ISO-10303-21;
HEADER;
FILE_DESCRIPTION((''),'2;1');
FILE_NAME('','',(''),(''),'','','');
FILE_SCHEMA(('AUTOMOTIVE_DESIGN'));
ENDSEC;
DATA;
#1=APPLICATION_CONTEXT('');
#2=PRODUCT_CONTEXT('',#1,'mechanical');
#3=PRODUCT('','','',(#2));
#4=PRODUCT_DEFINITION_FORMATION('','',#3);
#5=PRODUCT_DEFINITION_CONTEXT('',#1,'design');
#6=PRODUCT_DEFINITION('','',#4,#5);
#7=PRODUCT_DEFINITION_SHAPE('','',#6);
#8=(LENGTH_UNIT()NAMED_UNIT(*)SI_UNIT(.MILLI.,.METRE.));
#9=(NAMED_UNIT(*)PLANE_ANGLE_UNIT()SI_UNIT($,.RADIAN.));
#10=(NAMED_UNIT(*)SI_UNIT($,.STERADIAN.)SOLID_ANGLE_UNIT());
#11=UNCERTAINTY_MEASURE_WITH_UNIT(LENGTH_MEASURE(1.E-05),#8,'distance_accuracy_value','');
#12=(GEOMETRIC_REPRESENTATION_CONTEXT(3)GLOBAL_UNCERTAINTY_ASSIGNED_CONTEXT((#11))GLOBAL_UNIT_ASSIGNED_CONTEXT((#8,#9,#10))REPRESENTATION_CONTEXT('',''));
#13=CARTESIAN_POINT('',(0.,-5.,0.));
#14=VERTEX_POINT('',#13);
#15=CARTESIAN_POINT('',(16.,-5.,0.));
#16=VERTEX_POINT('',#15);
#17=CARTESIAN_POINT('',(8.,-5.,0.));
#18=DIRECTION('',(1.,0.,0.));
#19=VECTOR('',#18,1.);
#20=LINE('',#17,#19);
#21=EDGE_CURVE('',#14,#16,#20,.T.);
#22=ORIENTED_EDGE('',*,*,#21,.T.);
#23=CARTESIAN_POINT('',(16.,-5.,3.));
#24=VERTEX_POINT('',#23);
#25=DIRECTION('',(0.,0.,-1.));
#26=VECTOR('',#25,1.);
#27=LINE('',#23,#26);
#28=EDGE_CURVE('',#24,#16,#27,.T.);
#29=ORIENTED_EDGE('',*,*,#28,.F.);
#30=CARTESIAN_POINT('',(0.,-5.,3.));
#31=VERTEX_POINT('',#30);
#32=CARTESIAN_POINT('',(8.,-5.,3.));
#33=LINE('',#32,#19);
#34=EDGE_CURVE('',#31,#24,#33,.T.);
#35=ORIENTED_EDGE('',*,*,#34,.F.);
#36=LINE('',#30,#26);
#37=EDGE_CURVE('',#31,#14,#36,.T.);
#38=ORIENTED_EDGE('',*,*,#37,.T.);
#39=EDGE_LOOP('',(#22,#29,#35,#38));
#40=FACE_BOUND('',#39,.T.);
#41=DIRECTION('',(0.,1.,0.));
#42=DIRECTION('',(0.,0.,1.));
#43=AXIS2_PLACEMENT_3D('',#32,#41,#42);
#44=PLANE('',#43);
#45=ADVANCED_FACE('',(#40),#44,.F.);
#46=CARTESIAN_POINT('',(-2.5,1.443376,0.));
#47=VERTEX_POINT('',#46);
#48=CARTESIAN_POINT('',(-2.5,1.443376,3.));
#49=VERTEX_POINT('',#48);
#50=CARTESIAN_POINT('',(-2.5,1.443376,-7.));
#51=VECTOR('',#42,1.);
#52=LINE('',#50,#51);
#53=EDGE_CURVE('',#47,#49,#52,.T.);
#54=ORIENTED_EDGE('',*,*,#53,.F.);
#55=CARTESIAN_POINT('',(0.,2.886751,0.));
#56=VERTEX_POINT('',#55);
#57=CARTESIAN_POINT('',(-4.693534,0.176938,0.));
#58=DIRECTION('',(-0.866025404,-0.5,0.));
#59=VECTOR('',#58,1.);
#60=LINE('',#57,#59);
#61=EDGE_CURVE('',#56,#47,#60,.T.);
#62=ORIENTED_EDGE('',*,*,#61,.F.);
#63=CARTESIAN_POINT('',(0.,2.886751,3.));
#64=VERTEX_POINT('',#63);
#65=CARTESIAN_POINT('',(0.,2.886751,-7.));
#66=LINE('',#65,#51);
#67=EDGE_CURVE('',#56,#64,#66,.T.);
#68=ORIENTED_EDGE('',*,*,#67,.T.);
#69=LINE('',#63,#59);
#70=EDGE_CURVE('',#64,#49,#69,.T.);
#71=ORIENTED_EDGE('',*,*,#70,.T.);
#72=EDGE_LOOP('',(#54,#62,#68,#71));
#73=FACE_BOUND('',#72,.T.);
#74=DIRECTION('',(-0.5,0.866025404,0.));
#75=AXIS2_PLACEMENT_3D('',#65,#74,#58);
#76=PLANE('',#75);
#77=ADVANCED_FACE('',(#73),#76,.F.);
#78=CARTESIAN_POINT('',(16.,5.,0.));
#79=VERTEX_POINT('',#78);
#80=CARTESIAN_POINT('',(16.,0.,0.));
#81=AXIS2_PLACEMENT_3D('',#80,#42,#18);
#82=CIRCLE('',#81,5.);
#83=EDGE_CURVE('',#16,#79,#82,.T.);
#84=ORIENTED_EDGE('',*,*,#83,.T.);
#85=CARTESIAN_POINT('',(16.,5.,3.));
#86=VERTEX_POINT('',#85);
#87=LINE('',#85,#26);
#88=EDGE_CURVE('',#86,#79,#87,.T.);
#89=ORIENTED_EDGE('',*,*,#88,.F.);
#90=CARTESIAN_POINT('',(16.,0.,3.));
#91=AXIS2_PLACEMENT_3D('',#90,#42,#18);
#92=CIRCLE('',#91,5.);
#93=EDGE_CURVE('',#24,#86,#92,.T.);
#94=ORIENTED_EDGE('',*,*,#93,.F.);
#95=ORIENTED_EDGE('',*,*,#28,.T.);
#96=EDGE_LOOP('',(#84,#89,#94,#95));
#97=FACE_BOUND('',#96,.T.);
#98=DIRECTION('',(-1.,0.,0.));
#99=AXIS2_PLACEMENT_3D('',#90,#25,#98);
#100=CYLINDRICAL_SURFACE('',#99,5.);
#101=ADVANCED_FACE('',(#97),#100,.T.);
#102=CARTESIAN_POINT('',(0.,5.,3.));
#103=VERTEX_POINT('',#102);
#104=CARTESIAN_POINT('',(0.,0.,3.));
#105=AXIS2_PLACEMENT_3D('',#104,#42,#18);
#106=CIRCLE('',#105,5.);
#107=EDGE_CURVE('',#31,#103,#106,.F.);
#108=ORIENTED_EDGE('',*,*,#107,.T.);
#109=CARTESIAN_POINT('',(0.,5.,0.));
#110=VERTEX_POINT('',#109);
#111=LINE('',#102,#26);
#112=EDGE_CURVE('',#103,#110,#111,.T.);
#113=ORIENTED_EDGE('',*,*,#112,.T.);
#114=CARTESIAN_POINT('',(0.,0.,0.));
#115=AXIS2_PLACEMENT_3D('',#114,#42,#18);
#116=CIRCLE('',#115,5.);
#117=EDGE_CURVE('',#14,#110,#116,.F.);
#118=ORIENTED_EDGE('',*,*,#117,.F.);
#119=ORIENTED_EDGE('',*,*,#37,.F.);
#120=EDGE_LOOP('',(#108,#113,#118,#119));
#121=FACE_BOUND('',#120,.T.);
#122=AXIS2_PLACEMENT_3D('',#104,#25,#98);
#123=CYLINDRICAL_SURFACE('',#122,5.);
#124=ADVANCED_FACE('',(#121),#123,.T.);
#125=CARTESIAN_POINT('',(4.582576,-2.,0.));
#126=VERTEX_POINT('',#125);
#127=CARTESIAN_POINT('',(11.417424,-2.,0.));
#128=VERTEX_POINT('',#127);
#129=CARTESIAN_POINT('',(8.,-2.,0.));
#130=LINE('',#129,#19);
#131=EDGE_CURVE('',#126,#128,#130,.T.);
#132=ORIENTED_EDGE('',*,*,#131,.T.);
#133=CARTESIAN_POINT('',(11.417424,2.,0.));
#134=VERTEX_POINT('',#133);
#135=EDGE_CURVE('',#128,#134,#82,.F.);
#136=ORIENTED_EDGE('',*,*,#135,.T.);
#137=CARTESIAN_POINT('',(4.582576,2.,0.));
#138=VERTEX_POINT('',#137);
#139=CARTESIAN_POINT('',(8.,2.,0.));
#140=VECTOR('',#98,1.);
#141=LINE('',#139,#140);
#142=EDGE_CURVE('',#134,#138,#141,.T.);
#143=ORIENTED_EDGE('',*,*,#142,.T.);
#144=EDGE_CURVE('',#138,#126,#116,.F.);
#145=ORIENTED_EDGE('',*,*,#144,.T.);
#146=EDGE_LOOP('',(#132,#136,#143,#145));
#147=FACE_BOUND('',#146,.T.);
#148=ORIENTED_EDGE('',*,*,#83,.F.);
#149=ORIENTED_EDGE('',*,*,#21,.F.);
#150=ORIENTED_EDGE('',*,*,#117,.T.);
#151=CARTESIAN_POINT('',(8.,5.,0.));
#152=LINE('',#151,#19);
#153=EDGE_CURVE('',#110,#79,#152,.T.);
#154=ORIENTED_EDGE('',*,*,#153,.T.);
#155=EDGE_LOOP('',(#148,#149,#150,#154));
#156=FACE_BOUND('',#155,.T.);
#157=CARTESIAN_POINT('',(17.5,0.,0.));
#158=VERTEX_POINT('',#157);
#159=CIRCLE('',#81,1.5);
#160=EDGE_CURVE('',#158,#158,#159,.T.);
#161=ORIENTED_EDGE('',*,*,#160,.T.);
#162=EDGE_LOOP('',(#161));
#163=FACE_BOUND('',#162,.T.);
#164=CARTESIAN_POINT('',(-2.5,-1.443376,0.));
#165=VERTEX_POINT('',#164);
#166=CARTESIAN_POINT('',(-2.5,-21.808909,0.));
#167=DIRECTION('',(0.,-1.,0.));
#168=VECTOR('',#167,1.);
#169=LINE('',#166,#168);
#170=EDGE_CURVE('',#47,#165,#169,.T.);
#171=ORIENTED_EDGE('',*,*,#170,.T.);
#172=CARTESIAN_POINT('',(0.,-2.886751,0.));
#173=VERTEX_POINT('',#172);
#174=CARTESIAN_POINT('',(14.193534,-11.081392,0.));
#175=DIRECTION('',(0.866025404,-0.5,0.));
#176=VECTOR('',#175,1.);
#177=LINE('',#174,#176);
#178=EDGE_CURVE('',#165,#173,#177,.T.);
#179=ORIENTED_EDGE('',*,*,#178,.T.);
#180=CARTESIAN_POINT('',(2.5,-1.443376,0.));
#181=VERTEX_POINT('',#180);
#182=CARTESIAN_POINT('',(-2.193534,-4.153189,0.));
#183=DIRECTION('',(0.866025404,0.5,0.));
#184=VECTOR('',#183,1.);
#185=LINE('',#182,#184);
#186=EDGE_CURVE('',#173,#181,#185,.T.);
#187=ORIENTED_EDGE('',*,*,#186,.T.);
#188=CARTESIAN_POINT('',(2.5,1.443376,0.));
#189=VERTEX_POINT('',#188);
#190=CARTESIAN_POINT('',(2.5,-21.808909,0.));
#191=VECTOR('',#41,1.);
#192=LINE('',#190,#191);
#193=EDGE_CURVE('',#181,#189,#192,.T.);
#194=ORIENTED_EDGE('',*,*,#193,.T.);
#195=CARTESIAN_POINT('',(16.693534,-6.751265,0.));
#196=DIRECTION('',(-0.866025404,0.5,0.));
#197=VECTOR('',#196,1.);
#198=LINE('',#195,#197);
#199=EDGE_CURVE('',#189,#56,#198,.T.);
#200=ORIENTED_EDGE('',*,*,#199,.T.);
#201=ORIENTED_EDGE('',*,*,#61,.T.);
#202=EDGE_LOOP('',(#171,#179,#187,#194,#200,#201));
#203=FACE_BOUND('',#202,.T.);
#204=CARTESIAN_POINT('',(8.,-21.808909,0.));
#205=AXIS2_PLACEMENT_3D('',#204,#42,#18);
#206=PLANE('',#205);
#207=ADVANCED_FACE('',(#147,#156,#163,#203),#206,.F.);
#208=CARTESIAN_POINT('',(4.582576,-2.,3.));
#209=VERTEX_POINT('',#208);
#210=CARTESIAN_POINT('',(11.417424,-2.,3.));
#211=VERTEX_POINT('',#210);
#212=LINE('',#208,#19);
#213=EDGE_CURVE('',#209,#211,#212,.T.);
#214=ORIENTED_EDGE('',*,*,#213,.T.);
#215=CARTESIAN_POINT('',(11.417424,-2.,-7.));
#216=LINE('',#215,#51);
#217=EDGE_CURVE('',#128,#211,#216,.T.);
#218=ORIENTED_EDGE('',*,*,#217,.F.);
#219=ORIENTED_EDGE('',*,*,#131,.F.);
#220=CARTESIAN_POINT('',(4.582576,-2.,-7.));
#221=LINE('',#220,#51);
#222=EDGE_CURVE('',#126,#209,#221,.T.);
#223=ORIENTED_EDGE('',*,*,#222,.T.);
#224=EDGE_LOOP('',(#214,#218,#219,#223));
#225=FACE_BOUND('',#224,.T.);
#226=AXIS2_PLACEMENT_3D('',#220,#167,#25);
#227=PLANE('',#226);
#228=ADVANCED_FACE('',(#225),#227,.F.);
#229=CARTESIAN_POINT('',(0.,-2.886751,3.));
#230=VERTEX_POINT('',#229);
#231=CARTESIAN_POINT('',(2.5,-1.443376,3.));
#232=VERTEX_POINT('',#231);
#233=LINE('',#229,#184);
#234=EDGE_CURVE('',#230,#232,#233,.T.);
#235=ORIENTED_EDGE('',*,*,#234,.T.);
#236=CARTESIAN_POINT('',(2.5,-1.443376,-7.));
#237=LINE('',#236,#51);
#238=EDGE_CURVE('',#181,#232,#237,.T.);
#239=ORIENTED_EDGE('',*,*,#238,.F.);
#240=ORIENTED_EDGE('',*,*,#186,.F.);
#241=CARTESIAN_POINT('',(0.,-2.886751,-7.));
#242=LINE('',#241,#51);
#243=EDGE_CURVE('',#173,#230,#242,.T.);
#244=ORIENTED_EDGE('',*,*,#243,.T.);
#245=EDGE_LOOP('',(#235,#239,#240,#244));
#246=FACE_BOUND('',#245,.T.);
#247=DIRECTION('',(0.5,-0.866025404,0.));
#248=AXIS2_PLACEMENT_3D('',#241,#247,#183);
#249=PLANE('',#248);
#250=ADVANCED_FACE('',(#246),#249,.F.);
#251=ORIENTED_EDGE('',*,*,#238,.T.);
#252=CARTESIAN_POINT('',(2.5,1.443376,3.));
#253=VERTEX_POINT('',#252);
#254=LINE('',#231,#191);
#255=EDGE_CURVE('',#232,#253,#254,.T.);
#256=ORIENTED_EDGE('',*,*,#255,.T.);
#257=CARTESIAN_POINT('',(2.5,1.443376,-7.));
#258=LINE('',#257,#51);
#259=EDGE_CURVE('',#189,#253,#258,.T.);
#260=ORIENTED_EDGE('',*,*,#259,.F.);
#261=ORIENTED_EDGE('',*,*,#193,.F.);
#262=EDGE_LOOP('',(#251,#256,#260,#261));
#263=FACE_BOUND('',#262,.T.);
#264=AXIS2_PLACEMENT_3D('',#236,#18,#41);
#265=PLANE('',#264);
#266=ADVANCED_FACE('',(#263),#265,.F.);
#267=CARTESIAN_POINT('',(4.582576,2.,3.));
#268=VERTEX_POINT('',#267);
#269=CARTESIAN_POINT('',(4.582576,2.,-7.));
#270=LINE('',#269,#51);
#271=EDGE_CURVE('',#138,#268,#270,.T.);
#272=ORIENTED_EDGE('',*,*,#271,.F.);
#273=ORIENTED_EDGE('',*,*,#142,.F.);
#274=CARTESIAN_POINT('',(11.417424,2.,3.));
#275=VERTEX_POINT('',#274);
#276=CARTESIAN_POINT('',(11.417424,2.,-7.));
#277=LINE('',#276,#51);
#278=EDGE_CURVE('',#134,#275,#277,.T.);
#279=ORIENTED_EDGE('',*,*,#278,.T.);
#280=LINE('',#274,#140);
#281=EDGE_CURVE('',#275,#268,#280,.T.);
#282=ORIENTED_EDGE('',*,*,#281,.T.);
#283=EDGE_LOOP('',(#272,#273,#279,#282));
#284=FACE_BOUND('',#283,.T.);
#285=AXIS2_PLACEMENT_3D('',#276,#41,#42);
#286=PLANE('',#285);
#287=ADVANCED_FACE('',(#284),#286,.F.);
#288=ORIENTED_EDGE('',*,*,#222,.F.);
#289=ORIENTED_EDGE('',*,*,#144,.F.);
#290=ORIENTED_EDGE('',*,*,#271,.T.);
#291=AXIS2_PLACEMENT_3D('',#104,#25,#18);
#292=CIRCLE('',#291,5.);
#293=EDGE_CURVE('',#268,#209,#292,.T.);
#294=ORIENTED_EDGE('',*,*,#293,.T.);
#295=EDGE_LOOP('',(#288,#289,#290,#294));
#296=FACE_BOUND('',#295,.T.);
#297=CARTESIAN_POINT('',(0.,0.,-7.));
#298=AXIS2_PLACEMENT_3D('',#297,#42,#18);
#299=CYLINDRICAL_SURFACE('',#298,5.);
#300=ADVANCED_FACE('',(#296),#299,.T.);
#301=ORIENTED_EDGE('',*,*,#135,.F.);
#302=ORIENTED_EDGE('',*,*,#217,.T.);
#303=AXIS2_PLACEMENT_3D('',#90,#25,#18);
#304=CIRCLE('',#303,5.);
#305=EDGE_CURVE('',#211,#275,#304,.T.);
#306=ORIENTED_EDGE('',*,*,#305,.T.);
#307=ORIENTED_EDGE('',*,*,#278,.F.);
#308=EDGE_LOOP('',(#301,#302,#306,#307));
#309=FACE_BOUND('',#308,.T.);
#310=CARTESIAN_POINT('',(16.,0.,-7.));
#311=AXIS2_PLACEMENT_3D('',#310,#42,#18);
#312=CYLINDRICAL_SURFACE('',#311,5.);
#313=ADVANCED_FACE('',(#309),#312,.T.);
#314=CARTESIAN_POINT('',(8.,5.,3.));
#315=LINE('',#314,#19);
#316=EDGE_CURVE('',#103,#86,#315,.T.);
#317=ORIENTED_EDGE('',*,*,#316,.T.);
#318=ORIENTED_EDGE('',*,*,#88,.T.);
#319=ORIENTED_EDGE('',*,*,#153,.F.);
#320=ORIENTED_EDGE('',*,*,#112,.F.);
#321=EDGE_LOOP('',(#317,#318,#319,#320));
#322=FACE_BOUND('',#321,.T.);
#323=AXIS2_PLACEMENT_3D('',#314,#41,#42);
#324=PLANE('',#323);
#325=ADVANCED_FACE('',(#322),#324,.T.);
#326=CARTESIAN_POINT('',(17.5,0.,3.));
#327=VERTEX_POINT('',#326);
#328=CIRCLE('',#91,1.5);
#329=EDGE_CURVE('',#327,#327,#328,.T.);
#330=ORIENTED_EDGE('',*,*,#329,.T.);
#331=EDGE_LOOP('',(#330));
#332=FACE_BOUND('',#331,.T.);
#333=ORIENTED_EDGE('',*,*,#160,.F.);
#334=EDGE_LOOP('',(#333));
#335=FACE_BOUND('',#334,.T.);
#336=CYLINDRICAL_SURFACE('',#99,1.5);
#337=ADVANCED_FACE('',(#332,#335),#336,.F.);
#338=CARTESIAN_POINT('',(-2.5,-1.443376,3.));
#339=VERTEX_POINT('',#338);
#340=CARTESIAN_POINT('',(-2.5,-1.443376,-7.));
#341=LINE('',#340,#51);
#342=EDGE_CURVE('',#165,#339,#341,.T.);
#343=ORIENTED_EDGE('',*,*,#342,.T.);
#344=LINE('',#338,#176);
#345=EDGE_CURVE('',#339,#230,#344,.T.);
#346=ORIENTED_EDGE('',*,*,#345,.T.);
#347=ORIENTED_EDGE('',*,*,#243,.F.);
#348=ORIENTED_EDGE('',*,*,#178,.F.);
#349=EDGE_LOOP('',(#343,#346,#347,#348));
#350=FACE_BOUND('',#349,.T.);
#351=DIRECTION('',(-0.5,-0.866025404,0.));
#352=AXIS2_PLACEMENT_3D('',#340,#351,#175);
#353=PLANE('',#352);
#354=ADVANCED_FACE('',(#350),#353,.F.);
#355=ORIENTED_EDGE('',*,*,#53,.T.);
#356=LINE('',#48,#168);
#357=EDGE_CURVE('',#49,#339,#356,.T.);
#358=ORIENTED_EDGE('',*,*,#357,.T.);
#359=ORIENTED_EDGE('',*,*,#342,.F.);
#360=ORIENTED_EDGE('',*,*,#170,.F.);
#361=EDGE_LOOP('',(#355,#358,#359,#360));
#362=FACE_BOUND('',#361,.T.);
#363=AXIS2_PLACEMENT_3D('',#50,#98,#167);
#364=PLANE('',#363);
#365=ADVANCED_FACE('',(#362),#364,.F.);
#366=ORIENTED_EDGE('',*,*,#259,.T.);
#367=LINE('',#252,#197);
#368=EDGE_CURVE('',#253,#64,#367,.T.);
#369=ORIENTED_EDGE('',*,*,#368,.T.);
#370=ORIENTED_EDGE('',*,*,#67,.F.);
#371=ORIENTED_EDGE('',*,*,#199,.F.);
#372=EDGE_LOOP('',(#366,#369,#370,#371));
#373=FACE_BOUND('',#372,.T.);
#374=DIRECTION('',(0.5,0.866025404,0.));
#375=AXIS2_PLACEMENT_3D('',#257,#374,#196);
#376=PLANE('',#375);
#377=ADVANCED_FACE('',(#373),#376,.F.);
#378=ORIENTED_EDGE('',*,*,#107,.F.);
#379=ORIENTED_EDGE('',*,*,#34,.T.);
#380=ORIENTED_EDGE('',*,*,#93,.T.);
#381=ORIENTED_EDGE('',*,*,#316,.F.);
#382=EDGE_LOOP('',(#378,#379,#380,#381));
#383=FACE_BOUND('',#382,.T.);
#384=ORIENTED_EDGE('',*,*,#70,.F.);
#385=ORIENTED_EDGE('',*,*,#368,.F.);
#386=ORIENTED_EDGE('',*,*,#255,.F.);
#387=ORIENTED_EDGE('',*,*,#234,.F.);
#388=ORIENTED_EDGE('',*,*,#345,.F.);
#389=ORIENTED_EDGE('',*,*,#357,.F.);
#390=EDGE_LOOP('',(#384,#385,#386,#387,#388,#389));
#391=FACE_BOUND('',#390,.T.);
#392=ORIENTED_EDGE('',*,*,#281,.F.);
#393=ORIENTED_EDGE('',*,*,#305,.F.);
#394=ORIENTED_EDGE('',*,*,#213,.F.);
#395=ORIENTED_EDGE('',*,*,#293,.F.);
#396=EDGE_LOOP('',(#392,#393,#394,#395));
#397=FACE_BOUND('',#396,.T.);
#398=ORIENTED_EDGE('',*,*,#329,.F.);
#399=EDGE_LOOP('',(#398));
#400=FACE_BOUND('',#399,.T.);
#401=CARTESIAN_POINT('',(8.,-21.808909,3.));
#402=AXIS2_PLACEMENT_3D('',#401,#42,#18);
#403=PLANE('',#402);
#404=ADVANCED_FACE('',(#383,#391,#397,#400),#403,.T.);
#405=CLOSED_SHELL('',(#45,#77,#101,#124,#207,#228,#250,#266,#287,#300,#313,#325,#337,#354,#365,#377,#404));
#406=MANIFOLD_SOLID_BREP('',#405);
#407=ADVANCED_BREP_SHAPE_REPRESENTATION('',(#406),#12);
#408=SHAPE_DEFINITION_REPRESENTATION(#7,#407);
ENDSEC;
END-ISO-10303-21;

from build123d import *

# Parameters (mm, degrees)
SKETCH1_R          = 1.5
EXTRUDE1_DEPTH     = 3
CUT_EXTRUDE1_START = -10
SKETCH2_R          = 1.5
CUT_EXTRUDE1_DEPTH = 10


with BuildPart() as part:
    # Sketch1 → Extrude1 (new body)
    with BuildSketch(Plane.XY):
        with BuildLine():
            Line((0, -5), (16, -5))
            ThreePointArc((16, -5), (21, 0), (16, 5))
            Line((16, 5), (0, 5))
            ThreePointArc((0, 5), (-5, 0), (0, -5))
        make_face()
        with Locations((16, 0)):
            Circle(SKETCH1_R, mode=Mode.SUBTRACT)
        Circle(SKETCH1_R, mode=Mode.SUBTRACT)
    extrude(amount=EXTRUDE1_DEPTH)

    # Sketch2 → Cut-Extrude1 (cut)
    with BuildSketch(Plane.XY.offset(3).offset(CUT_EXTRUDE1_START)):
        with Locations((16, 0)):
            Circle(SKETCH2_R)
        Polygon((0, 2.886751346), (-2.5, 1.443375673), (-2.5, -1.443375673), (0, -2.886751346), (2.5, -1.443375673), (2.5, 1.443375673), align=None)
        with BuildLine():
            Line((4.582575695, -2), (11.417424305, -2))
            ThreePointArc((11.417424305, -2), (11, 0), (11.417424305, 2))
            Line((11.417424305, 2), (4.582575695, 2))
            ThreePointArc((4.582575695, 2), (5, 0), (4.582575695, -2))
        make_face()
    extrude(amount=CUT_EXTRUDE1_DEPTH, mode=Mode.SUBTRACT)


solid = part.part
